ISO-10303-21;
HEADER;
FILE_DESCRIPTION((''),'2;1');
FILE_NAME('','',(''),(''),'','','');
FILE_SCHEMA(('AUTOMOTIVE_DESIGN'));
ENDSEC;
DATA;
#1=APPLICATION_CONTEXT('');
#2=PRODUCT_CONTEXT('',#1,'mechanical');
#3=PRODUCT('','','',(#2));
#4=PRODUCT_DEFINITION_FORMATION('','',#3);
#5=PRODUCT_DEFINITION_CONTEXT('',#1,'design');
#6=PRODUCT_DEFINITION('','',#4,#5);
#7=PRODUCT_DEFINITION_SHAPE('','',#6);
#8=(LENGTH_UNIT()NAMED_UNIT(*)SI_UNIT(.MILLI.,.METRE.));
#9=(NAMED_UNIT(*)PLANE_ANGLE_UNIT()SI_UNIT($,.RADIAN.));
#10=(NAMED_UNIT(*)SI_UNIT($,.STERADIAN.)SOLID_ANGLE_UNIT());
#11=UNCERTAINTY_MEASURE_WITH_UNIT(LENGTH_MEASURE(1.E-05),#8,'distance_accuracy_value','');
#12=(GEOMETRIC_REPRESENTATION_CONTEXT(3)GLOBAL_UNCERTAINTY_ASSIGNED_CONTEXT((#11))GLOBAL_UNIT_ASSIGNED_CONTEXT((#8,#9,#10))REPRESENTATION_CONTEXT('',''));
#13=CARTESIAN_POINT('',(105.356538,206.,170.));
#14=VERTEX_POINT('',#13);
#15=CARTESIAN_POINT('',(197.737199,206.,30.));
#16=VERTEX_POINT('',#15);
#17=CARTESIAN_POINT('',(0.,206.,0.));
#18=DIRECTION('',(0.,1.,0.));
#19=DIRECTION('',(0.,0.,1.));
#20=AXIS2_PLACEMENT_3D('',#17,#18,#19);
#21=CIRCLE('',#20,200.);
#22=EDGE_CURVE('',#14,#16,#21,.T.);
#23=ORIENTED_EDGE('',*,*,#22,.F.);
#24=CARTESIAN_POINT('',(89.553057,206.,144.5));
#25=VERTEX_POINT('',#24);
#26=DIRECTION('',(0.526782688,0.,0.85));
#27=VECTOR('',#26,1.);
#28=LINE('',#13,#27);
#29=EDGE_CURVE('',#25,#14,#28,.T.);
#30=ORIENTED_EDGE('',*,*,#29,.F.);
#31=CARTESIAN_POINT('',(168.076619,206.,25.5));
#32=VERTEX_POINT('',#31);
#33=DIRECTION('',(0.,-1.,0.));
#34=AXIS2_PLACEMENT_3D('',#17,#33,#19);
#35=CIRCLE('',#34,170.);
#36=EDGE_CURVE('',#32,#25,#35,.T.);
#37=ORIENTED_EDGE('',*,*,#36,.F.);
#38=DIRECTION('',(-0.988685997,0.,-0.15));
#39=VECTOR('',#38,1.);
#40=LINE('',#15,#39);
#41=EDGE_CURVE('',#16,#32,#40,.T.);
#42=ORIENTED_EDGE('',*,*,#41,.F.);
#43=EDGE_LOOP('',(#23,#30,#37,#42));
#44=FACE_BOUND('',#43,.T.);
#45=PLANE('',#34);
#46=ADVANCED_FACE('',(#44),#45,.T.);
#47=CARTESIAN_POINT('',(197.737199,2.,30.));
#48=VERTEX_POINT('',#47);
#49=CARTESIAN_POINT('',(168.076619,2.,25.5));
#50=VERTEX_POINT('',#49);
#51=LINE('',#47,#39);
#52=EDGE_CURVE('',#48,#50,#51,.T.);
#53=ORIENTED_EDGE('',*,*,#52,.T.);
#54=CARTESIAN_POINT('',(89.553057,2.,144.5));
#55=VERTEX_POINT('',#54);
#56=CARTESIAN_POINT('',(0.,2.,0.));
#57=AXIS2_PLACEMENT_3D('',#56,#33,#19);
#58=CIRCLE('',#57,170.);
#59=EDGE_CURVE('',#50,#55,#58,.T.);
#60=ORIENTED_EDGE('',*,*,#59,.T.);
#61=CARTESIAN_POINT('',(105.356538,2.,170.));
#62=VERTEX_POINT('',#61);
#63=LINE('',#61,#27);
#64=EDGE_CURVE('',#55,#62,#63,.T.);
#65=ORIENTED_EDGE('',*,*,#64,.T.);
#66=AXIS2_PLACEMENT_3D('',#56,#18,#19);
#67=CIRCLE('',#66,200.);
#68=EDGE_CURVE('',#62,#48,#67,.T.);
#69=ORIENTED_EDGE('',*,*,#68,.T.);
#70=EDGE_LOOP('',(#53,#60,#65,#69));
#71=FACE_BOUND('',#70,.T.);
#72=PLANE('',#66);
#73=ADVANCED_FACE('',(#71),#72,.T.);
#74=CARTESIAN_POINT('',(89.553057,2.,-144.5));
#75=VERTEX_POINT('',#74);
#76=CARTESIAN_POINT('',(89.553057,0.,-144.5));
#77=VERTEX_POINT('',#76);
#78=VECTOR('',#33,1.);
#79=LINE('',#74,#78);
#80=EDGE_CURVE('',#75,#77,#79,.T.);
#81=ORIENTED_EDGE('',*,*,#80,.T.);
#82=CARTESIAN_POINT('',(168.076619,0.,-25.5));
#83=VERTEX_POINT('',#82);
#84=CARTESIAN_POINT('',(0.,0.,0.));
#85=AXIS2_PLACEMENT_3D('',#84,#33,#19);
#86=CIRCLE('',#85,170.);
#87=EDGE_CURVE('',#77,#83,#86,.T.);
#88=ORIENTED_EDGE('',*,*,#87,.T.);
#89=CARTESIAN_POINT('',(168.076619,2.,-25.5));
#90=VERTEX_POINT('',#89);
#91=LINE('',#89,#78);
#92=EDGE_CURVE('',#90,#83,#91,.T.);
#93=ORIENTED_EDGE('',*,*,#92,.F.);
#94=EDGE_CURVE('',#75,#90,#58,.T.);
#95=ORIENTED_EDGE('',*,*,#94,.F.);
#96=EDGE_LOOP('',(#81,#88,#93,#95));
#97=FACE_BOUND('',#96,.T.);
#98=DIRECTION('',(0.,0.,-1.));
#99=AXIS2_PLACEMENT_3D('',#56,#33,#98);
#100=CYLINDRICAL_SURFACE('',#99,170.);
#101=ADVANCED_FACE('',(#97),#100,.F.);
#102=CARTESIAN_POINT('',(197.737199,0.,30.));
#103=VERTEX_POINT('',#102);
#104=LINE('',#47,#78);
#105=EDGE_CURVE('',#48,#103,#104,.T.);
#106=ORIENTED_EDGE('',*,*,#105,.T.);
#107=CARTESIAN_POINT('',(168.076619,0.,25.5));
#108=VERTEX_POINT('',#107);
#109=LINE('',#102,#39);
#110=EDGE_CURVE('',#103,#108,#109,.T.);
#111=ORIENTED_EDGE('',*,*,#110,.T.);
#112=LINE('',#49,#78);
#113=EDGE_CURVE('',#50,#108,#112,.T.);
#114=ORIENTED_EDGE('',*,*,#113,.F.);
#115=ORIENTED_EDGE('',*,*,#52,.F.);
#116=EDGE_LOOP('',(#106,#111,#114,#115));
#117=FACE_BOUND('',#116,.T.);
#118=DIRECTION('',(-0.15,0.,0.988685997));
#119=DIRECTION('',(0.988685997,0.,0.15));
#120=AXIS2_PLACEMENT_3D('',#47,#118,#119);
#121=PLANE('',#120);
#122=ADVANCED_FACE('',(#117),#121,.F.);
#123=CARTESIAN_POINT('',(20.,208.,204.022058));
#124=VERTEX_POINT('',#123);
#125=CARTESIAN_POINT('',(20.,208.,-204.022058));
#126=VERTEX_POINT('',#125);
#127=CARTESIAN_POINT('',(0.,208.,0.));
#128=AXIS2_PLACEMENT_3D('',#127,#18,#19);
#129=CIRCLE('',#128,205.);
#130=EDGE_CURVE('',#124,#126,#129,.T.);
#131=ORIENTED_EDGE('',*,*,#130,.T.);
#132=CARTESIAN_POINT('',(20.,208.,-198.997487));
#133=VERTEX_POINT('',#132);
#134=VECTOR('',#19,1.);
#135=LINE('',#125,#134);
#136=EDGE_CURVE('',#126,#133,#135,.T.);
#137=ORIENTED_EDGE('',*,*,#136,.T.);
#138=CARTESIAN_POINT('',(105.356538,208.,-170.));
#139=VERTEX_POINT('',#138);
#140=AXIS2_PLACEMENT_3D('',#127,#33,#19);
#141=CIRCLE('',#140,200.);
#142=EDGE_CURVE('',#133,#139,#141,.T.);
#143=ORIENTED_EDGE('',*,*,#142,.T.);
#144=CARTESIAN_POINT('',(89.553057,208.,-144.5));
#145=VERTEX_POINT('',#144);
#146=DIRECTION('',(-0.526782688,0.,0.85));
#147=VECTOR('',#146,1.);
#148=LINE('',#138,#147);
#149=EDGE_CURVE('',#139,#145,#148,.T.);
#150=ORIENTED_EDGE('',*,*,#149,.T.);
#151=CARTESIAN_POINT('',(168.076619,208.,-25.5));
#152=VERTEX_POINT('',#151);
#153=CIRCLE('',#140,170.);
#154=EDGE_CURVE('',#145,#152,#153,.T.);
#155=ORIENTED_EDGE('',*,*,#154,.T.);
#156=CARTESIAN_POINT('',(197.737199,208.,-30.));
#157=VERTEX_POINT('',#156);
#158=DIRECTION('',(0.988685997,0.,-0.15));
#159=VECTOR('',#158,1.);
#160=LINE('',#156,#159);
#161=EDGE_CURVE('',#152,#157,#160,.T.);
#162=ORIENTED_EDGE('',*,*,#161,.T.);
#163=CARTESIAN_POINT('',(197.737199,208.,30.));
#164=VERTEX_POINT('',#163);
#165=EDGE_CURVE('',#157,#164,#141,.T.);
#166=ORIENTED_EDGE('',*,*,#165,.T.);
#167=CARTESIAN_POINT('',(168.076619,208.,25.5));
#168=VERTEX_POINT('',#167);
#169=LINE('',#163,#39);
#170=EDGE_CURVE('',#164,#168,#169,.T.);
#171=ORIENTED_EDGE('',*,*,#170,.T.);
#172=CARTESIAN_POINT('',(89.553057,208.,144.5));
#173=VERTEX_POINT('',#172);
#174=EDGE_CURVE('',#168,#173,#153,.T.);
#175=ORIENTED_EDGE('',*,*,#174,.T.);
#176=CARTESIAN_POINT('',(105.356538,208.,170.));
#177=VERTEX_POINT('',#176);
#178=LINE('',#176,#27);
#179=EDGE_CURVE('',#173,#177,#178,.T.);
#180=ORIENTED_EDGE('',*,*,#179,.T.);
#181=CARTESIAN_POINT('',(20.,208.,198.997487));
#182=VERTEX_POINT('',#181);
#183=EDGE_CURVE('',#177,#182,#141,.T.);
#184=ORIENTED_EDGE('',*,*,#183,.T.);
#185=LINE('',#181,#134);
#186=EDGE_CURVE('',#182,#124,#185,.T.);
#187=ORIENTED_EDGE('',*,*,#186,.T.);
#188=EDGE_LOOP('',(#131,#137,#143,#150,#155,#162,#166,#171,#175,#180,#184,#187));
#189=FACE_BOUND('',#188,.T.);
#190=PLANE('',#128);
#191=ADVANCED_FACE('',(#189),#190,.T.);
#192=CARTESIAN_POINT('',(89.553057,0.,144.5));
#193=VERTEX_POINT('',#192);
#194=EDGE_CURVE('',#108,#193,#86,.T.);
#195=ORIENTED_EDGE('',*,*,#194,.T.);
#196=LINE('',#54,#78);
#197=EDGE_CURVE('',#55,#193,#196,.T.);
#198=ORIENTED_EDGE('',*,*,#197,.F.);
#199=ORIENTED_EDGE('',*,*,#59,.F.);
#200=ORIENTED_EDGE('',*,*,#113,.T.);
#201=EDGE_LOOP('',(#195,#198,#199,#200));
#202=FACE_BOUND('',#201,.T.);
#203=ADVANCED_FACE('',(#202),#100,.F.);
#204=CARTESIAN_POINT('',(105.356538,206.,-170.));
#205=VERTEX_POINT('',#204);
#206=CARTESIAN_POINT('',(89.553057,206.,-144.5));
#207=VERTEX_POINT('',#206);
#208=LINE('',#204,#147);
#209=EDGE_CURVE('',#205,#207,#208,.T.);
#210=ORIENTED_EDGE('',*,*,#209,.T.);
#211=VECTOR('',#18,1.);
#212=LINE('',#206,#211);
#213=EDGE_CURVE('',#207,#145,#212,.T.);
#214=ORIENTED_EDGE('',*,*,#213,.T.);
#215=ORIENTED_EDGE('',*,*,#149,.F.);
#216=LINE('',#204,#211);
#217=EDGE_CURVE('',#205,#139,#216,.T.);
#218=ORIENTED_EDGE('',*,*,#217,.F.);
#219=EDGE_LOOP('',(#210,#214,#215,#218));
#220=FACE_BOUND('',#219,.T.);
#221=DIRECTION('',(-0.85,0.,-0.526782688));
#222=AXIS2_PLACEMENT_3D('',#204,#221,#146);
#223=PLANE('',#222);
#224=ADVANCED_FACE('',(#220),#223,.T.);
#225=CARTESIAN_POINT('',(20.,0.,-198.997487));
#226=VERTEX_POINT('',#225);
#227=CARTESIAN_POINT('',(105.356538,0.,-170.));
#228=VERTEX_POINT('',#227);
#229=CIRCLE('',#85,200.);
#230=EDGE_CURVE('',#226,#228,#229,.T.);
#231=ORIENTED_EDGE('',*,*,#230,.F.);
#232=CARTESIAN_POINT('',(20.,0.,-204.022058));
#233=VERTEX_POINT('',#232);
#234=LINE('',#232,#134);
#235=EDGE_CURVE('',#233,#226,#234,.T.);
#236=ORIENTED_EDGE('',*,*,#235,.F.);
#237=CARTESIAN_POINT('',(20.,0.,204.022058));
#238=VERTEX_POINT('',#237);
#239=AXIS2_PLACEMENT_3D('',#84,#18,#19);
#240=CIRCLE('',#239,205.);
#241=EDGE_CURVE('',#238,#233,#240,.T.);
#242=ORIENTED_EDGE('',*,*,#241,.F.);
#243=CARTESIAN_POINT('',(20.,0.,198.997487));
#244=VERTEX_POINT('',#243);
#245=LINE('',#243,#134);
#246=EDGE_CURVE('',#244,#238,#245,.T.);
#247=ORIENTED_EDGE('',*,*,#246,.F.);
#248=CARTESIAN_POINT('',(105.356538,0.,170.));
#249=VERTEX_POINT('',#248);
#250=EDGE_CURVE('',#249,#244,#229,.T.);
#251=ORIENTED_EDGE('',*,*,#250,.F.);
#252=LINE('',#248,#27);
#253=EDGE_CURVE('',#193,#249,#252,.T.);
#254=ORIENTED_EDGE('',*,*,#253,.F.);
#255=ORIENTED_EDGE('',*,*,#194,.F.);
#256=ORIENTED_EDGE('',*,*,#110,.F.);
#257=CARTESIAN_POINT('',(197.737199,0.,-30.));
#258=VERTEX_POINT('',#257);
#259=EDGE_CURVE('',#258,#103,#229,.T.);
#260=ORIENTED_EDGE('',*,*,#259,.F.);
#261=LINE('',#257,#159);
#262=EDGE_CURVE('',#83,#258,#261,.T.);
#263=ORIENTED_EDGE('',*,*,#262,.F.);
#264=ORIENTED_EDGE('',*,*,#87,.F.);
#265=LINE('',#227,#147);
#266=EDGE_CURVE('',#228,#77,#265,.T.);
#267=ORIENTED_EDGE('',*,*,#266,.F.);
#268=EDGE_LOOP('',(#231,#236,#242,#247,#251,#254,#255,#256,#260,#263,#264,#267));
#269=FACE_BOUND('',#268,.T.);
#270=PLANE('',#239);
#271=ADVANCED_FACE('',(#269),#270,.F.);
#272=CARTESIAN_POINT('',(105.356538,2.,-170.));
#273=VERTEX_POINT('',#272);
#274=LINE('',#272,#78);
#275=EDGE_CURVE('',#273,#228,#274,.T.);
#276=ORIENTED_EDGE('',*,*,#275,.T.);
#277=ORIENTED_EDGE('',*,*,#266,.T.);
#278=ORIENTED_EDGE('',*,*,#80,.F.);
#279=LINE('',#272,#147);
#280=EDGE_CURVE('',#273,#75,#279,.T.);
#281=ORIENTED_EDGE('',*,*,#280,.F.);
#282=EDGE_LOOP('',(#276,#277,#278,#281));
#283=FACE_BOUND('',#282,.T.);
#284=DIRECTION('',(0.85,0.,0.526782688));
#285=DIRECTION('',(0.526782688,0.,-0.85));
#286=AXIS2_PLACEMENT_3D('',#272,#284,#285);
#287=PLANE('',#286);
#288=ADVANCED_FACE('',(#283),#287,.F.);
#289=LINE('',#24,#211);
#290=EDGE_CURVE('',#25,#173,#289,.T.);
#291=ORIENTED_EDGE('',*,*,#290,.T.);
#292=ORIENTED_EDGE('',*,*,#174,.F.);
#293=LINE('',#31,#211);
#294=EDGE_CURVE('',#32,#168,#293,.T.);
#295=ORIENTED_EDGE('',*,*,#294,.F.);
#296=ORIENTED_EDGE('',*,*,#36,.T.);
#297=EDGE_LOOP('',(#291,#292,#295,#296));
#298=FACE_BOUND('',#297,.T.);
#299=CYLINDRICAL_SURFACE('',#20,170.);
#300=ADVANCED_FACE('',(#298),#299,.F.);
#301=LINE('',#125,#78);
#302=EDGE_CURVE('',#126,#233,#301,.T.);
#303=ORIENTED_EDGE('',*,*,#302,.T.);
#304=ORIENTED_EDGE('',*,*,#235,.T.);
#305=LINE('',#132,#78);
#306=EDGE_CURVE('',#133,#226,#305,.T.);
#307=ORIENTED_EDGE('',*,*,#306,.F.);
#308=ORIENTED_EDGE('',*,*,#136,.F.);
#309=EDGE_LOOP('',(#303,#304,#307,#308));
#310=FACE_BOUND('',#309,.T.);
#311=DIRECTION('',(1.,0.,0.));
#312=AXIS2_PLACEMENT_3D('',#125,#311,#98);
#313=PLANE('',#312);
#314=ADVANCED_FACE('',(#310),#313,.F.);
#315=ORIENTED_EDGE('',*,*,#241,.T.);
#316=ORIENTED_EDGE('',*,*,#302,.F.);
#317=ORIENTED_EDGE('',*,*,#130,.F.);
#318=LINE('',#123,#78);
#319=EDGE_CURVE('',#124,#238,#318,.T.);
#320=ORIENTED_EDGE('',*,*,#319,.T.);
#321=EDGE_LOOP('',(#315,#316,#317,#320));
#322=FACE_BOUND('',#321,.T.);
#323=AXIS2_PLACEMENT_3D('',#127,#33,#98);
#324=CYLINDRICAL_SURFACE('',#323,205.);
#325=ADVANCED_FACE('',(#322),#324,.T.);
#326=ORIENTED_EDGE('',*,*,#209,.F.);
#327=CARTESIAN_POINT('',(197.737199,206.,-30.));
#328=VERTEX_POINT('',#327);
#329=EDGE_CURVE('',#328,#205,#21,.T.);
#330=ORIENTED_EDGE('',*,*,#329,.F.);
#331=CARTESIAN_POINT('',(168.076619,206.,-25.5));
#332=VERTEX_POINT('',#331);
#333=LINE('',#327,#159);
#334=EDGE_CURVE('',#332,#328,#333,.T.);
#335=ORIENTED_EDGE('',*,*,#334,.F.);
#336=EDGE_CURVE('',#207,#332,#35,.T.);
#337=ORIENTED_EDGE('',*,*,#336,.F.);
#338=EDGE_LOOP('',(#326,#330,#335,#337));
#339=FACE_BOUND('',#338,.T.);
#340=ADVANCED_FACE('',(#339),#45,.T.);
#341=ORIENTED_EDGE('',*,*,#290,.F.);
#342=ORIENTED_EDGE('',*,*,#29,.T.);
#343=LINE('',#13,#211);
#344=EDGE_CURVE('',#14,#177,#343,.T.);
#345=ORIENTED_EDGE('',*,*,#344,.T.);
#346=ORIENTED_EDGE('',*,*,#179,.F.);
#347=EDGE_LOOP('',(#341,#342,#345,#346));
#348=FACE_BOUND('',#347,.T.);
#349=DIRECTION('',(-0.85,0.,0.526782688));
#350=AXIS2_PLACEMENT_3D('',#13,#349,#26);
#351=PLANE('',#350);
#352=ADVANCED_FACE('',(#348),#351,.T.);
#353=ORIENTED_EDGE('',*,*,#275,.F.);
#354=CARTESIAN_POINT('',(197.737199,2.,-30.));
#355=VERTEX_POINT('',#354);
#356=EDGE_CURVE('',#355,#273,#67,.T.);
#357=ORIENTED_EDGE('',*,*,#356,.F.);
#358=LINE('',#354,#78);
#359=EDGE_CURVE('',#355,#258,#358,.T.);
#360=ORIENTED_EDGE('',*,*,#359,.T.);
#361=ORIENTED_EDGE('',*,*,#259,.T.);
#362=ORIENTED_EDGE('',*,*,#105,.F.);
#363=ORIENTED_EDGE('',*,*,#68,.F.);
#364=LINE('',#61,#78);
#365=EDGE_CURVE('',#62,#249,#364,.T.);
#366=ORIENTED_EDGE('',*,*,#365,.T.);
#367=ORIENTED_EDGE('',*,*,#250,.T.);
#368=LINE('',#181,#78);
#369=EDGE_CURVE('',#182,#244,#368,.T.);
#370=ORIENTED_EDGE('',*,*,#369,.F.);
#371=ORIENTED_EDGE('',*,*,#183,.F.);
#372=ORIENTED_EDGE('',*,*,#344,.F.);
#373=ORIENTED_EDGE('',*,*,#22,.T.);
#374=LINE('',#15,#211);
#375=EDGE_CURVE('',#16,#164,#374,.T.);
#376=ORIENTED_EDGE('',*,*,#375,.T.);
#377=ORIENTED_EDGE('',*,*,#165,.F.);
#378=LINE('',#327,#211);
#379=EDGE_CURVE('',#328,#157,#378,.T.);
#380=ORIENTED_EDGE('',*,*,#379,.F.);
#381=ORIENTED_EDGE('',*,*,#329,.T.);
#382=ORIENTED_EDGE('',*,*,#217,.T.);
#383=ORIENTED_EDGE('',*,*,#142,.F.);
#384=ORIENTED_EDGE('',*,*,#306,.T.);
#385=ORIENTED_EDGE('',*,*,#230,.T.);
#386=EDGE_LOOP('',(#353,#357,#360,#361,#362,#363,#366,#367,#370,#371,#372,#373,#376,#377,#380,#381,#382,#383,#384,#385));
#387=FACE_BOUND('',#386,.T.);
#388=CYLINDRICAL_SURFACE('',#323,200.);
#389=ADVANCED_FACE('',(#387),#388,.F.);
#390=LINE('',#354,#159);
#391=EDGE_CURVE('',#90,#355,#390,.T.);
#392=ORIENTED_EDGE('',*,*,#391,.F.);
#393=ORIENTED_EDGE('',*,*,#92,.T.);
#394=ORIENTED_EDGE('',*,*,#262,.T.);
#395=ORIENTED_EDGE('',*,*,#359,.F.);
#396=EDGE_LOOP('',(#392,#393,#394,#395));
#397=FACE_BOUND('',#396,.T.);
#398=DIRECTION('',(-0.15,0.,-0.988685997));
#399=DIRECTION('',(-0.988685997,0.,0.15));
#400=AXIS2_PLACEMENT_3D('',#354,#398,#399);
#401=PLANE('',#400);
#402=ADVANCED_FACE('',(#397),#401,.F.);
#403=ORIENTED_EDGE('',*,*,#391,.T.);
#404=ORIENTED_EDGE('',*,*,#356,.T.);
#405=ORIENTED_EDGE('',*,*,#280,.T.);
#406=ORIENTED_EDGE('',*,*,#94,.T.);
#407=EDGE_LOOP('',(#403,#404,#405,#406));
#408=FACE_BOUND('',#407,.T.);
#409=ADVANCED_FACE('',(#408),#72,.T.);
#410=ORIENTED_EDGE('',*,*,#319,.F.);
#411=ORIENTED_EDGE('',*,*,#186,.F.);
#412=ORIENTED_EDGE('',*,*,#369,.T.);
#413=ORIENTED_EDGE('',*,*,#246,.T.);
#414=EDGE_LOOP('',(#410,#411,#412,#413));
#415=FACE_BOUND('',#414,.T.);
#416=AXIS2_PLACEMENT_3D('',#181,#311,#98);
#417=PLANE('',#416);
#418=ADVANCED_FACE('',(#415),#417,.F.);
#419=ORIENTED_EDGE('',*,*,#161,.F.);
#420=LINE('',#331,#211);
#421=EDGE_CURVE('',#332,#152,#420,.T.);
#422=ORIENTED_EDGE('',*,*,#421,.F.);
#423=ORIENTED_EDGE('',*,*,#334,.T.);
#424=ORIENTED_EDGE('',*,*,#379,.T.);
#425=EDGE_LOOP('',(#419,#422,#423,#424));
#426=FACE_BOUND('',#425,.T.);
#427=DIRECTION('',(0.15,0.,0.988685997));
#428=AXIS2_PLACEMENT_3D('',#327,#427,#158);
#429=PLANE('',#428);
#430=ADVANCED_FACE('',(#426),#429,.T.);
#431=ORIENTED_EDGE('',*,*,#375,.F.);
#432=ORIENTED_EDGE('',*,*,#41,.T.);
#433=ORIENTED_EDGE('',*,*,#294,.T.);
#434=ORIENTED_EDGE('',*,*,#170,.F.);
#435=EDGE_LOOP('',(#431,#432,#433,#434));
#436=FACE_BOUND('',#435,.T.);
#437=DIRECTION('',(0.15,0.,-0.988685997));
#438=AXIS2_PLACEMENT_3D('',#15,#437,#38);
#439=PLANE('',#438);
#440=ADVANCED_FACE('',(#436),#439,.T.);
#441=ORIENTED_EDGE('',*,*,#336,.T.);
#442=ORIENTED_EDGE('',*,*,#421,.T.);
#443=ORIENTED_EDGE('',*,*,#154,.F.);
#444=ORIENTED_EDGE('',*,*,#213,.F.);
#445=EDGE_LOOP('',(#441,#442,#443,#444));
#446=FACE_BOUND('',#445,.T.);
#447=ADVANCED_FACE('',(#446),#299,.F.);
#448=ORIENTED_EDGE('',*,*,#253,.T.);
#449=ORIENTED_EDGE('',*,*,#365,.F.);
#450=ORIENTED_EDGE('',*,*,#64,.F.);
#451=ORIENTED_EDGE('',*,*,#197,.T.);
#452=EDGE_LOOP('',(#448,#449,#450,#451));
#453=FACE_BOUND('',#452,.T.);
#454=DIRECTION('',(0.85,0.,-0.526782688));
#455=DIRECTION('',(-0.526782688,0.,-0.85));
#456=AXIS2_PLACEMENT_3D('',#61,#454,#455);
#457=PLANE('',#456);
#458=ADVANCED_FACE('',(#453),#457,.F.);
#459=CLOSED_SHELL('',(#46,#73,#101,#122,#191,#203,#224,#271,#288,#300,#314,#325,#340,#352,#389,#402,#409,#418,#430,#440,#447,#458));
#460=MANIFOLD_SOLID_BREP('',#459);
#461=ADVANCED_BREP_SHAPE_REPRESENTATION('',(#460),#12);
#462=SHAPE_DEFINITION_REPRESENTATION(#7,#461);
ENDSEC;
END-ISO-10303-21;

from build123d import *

# Parameters (mm, degrees)
BOSS_EXTRUDE1_DEPTH = 208
BOSS_EXTRUDE2_DEPTH = 2


with BuildPart() as part:
    # Sketch1 → Boss-Extrude1 (new body)
    with BuildSketch(Plane(origin=(0, 0, 0), x_dir=(1, 0, 0), z_dir=(0, 1, 0))):
        with BuildLine():
            Line((20, 204.022057631), (20, 198.997487421))
            ThreePointArc((20, 198.997487421), (200, 0), (20, -198.997487421))
            Line((20, -198.997487421), (20, -204.022057631))
            ThreePointArc((20, -204.022057631), (205, 0), (20, 204.022057631))
        make_face()
    extrude(amount=BOSS_EXTRUDE1_DEPTH)

    # Sketch2 → Boss-Extrude2 (add)
    with BuildSketch(Plane(origin=(0, 0, 0), x_dir=(1, 0, 0), z_dir=(0, 1, 0))):
        with BuildLine():
            Line((105.356537529, -170), (89.553056899, -144.5))
            ThreePointArc((89.553056899, -144.5), (141.892609151, -93.629522418), (168.076619433, -25.5))
            Line((168.076619433, -25.5), (197.737199333, -30))
            ThreePointArc((197.737199333, -30), (166.932481354, -110.152379315), (105.356537529, -170))
        make_face()
        with BuildLine():
            Line((197.737199333, 30), (168.076619433, 25.5))
            ThreePointArc((168.076619433, 25.5), (141.892609151, 93.629522418), (89.553056899, 144.5))
            Line((89.553056899, 144.5), (105.356537529, 170))
            ThreePointArc((105.356537529, 170), (166.932481354, 110.152379315), (197.737199333, 30))
        make_face()
    boss_extrude2 = extrude(amount=BOSS_EXTRUDE2_DEPTH)

    # Mirror1: Boss-Extrude2 across plane
    add(boss_extrude2.mirror(Plane.ZX.offset(104)))


solid = part.part
